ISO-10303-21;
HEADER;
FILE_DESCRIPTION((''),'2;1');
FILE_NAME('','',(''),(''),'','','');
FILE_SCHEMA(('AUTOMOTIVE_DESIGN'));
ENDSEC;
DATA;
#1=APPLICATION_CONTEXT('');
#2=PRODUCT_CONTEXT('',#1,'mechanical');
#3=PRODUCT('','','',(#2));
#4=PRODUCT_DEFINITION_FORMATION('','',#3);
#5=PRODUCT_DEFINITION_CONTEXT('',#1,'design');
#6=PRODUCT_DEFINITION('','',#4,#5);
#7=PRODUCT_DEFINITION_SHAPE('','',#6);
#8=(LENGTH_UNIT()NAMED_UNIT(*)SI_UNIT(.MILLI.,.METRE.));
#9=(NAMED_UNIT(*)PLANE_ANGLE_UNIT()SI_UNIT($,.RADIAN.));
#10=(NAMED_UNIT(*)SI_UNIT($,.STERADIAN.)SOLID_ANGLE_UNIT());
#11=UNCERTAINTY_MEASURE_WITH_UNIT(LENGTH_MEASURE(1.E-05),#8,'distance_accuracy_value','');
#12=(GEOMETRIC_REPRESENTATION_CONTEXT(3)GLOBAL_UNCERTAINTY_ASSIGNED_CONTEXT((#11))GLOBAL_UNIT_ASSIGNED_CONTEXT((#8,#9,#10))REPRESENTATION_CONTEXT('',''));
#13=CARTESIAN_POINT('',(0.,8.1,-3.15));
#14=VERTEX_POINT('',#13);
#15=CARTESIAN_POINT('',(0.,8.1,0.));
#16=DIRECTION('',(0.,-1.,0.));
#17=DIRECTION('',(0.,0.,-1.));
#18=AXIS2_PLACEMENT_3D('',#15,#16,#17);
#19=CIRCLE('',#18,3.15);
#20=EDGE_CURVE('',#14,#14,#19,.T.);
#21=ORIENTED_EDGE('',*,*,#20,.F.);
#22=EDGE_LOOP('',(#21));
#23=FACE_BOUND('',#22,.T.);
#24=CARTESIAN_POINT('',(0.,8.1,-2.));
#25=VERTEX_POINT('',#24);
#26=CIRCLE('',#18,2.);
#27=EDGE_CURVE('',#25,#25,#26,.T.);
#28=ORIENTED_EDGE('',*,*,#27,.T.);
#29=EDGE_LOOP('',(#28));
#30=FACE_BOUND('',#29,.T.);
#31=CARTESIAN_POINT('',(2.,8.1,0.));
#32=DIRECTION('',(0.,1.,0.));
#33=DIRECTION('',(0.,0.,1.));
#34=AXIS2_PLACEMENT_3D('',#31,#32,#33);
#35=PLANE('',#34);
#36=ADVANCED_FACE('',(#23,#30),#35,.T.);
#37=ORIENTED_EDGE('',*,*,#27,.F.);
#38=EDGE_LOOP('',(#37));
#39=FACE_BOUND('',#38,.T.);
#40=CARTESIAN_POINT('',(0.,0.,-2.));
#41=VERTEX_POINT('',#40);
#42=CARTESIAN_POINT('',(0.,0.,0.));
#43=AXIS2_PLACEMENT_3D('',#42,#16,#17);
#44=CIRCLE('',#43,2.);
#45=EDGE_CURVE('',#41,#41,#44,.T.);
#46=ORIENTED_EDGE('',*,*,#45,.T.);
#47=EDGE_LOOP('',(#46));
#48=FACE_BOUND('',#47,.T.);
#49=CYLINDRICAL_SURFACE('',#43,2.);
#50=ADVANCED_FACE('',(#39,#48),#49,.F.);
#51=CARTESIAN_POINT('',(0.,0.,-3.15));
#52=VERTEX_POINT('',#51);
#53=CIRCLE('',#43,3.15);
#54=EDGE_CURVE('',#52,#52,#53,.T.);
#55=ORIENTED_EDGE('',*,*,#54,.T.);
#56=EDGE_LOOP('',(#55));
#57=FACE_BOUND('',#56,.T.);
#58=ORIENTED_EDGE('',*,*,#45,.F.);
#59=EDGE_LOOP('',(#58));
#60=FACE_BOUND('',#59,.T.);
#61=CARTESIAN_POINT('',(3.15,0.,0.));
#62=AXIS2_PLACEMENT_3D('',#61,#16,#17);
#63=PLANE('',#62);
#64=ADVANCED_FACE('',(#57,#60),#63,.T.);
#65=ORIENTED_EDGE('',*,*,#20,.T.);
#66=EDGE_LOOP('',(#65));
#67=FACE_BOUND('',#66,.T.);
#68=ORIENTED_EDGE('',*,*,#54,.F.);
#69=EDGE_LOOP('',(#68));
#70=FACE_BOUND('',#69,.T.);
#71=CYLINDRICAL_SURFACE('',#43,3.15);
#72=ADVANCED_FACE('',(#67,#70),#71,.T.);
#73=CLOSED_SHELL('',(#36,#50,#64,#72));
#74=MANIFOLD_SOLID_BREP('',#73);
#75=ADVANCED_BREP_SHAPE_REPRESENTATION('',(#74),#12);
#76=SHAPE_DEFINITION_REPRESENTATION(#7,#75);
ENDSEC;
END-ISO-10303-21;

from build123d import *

# Parameters (mm, degrees)
SKETCH1_W = 1.15
SKETCH1_H = 8.1


with BuildPart() as part:
    # Sketch1 → Revolve1 (revolve)
    with BuildSketch(Plane.XY):
        with Locations((2.575, 4.05)):
            Rectangle(SKETCH1_W, SKETCH1_H)
    revolve(axis=Axis((0, 0, 0), (0, 1, 0)))


solid = part.part
